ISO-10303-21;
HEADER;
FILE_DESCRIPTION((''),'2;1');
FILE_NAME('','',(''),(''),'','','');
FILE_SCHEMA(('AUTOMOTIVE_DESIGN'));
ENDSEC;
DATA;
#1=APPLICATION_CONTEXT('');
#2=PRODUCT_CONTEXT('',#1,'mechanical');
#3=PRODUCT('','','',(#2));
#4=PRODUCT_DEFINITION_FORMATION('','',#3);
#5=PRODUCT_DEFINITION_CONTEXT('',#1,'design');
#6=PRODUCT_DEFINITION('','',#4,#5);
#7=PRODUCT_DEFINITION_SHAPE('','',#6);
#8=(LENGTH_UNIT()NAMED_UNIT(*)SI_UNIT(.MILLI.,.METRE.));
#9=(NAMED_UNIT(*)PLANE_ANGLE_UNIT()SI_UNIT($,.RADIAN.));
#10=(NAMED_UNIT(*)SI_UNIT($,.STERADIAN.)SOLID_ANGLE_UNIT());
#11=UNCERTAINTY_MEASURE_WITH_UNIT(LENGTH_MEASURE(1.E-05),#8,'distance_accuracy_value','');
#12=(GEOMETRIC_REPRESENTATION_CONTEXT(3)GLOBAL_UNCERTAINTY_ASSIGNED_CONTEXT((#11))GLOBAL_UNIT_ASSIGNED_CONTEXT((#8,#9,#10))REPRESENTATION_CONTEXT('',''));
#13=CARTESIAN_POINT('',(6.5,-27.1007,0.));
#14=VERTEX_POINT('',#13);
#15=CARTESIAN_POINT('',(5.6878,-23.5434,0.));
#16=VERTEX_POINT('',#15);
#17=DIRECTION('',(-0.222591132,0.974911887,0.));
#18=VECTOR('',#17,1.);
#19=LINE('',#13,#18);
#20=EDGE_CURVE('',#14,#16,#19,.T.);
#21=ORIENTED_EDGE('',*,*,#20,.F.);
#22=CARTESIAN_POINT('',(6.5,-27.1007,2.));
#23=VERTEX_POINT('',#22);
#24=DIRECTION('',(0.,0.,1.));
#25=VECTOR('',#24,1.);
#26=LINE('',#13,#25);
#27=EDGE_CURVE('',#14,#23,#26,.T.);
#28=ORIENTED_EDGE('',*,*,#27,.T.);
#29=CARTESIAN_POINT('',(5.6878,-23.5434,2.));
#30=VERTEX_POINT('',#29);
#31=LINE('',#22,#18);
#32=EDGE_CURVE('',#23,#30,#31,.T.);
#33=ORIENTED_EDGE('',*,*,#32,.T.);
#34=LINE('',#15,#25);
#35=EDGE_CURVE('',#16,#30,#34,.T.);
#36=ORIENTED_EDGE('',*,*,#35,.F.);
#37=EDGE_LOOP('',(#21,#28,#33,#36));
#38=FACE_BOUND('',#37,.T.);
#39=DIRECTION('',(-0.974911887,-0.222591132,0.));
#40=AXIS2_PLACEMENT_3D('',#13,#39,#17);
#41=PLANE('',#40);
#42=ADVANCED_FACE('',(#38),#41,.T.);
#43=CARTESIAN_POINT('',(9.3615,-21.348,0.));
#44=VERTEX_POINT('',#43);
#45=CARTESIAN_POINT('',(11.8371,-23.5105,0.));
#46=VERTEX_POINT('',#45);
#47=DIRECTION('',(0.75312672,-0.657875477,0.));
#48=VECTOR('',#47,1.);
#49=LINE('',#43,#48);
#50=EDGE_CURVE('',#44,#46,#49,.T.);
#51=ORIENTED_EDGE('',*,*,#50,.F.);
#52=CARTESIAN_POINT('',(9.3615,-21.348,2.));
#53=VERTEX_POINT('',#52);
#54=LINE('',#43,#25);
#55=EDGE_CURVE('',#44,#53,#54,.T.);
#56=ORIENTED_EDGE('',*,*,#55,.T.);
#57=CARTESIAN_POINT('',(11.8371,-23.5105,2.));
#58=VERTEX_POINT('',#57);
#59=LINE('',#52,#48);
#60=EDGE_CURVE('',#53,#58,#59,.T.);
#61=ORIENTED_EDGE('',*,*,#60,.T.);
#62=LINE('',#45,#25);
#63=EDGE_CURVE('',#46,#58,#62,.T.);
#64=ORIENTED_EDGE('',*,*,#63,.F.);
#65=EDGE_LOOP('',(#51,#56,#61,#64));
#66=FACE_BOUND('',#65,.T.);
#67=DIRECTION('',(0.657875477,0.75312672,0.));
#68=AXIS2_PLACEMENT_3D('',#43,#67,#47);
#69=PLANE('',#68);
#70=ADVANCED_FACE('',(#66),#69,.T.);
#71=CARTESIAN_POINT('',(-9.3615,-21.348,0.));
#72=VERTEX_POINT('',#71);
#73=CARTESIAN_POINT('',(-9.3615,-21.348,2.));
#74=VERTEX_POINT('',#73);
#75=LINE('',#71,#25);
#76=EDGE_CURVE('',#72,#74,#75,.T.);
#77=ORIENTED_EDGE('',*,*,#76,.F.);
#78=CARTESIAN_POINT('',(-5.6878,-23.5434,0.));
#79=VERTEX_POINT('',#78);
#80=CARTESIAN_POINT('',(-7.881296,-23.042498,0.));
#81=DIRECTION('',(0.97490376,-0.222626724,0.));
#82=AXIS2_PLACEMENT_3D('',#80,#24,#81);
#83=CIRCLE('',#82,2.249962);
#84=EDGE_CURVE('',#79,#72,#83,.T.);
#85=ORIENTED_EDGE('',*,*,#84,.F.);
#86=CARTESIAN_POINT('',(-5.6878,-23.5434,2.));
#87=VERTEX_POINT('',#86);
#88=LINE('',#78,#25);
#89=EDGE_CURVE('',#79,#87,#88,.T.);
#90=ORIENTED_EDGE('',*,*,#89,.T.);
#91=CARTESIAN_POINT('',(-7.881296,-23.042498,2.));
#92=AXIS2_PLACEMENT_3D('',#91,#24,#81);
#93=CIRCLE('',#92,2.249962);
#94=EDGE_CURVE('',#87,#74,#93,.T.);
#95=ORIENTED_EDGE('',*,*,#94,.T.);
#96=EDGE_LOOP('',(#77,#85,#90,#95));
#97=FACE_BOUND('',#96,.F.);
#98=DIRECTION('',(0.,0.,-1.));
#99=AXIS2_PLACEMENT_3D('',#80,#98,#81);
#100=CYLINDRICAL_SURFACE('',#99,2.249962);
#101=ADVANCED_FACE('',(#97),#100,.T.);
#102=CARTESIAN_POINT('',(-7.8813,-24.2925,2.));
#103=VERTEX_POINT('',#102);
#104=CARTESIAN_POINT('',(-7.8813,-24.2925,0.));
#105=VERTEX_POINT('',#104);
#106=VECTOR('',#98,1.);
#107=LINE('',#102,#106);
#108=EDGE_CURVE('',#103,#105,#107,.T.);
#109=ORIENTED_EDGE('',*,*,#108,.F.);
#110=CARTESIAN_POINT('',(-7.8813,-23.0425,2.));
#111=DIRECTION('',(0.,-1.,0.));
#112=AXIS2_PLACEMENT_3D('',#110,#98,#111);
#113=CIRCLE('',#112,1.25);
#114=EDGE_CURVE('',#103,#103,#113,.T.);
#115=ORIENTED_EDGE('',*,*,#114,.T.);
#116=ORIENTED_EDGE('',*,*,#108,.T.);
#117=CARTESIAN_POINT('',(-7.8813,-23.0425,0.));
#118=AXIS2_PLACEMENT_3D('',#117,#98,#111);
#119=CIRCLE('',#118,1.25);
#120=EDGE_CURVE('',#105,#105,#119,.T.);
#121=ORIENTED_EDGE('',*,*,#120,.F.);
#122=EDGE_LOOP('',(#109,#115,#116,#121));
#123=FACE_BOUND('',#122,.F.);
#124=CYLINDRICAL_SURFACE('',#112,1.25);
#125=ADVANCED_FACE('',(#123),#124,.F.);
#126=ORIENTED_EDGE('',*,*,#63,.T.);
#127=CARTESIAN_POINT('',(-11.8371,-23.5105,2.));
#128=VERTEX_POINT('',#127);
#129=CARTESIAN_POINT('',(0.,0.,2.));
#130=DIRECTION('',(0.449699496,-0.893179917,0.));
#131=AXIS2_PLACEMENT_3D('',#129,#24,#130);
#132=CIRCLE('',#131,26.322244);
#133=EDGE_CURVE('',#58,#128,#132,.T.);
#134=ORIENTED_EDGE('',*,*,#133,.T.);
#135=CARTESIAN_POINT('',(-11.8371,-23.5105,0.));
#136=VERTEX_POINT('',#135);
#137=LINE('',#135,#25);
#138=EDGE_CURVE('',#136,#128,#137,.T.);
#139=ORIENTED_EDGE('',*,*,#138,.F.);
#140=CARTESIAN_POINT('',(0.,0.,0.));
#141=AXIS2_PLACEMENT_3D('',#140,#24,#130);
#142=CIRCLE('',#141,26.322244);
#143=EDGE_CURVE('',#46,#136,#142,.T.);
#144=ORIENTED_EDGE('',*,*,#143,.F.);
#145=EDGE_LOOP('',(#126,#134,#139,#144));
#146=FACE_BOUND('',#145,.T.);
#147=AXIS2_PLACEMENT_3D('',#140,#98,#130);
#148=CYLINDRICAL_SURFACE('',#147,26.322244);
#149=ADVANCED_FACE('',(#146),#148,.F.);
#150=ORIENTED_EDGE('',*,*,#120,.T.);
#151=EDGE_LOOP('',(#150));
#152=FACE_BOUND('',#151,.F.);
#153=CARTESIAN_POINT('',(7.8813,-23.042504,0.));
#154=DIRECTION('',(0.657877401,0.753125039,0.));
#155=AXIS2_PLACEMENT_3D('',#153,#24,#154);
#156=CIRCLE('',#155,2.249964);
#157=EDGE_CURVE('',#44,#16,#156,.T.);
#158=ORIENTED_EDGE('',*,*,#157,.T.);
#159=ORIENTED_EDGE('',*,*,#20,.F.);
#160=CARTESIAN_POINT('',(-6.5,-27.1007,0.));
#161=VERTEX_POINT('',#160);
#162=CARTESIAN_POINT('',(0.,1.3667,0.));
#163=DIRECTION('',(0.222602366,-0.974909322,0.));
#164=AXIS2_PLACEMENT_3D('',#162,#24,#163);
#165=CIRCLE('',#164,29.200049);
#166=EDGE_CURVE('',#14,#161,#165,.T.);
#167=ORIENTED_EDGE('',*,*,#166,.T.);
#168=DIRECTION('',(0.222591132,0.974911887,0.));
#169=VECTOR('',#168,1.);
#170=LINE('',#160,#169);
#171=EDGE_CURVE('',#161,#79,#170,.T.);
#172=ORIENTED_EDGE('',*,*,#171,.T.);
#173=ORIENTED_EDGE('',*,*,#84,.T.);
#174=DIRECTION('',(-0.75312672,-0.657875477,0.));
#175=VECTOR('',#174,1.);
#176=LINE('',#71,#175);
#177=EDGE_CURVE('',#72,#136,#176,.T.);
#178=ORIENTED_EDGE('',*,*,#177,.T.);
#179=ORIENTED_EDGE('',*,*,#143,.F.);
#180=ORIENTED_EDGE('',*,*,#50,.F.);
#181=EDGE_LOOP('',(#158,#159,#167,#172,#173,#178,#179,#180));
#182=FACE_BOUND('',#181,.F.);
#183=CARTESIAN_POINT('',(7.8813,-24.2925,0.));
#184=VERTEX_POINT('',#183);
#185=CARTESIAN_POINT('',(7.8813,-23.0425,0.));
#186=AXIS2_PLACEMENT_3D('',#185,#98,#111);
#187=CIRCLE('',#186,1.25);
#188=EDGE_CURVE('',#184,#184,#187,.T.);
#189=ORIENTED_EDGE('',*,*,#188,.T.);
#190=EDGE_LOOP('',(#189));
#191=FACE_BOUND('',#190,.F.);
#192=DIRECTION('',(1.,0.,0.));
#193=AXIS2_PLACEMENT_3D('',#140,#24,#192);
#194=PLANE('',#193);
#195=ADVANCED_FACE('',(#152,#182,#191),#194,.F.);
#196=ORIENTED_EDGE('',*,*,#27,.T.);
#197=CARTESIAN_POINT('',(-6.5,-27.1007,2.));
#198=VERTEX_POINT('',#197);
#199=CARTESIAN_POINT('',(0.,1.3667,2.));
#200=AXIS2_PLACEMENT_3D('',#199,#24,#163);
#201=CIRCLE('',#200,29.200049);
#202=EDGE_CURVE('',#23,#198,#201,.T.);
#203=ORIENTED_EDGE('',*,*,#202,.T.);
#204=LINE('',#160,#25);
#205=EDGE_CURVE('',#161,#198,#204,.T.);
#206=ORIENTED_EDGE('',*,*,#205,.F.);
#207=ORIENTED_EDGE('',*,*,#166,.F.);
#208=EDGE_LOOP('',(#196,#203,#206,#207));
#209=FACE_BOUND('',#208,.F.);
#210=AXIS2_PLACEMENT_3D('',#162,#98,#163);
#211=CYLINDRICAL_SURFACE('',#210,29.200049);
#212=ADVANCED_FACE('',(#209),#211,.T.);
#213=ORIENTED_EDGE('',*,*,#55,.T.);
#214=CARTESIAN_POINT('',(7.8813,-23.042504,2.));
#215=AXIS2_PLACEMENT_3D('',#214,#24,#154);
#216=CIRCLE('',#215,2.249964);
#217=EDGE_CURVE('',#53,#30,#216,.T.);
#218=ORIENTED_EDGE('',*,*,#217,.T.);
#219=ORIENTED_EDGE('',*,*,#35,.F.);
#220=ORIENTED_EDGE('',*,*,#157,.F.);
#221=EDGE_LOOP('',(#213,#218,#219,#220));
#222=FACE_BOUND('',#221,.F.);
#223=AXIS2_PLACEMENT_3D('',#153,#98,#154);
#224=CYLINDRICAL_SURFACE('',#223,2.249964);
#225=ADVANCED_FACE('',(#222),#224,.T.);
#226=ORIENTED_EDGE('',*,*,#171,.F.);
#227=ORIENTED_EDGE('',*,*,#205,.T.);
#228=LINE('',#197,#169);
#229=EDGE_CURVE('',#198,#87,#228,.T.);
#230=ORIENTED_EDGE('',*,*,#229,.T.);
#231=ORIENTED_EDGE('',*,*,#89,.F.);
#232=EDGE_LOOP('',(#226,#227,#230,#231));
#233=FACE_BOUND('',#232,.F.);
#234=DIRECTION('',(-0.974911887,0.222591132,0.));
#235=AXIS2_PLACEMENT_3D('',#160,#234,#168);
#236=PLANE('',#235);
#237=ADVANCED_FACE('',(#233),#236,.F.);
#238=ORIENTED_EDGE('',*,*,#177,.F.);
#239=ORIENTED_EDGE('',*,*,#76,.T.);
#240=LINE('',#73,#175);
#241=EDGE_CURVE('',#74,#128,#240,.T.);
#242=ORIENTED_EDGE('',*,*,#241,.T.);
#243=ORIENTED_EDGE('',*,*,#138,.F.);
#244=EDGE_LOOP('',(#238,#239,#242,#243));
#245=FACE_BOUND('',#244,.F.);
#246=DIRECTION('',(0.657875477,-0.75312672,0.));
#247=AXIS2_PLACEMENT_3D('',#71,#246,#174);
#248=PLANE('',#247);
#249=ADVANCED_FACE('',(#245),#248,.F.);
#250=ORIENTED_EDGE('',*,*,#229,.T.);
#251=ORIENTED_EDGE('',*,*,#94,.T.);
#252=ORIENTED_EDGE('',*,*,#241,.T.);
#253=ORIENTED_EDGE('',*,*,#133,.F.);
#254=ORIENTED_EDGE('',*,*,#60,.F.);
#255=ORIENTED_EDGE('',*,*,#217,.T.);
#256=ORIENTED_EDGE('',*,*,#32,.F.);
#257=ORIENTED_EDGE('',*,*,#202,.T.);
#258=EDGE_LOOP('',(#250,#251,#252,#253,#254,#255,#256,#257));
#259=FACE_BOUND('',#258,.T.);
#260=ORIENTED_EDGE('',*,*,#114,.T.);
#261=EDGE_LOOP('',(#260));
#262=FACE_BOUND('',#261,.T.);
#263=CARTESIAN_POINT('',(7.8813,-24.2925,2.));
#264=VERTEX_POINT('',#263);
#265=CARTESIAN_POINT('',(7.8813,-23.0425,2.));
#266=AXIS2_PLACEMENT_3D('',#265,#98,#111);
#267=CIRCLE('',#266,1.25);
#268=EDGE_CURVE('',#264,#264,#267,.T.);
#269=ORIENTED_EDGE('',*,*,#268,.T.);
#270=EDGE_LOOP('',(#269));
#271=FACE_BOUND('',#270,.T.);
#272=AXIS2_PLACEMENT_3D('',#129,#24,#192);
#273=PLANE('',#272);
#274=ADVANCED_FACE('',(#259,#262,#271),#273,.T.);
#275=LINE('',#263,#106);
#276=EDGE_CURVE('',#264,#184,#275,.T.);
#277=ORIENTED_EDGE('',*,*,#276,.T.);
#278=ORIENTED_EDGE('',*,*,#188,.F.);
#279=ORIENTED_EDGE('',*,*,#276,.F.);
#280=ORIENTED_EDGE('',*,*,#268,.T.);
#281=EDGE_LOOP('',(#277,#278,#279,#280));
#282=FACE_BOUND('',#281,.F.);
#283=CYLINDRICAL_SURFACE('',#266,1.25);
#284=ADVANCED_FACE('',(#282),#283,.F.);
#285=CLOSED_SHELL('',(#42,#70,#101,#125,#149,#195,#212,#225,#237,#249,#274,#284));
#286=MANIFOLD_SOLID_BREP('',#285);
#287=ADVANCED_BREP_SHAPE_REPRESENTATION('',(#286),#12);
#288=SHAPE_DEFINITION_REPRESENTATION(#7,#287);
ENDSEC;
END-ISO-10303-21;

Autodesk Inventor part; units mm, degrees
ref_plane "WorkPlane1" through (0, 0, 0) normal (0, 0, 1) x (1, 0, 0)
ref_plane "Work Plane2" through (0, 0, -2) normal (0, 0, 1) x (1, 0, 0)
ref_plane "WorkPlane2" through (0, 0, 1) normal (0, 0, 1) x (1, 0, 0)
sketch "Sketch1" plane through (0, 0, 0) normal (0, 0, 1) x (1, 0, 0)
  point P0 (0, 0)
sketch "Sketch2" plane through (0, 0, 0) normal (0, 0, 1) x (1, 0, 0)
  line L0 (6.5, -27.1007) -> (5.6878, -23.5434)
  arc A0 (9.3615, -21.348) -> (5.6878, -23.5434) centre (7.8813, -23.0425) ccw
  line L1 (9.3615, -21.348) -> (11.8371, -23.5105)
  arc A1 (11.8371, -23.5105) -> (-11.8371, -23.5105) centre (0, 0) ccw
  line L2 (-9.3615, -21.348) -> (-11.8371, -23.5105)
  arc A2 (-5.6878, -23.5434) -> (-9.3615, -21.348) centre (-7.8813, -23.0425) ccw
  line L3 (-6.5, -27.1007) -> (-5.6878, -23.5434)
  arc A3 (6.5, -27.1007) -> (-6.5, -27.1007) centre (0, 1.3667) ccw
  line L4 (0, 1.3667) -> (-6.5, -27.1007) construction
  line L5 (0, 1.3667) -> (6.5, -27.1007) construction
  dimension "d2" = 29.2
  dimension "d4" = 0
  dimension "d6" = 26.3222
  dimension "d8" = 1.3667
  dimension "d10" = 6.5
  dimension "d12" = 6.5
  dimension "d14" = 2.25
  dimension "d16" = 2.25
  dimension "d18" = 25.65
  dimension "d20" = 25.65
  dimension "d22" = 36
  dimension "d24" = 36
extrude "Extrusion1" add sketch "Sketch2" along normal blind 2
sketch "Sketch3" plane through (0, 0, 2) normal (0, 0, 1) x (1, 0, 0)
  arc A0 (-5.6878, -23.5434) -> (-9.3615, -21.348) centre (-7.8813, -23.0425) ccw projected
hole "Hole1" at (-7.8813, -23.0425, 2) direction (0, 0, -1) diameter 2.5 end through all
sketch "Sketch4" plane through (0, 0, 2) normal (0, 0, 1) x (1, 0, 0)
  arc A0 (9.3615, -21.348) -> (5.6878, -23.5434) centre (7.8813, -23.0425) ccw projected
hole "Hole2" at (7.8813, -23.0425, 2) direction (0, 0, -1) diameter 2.5 end through all
equation "\"d29\" = Diam5"
equation "\"d36\" = Diam5"
equation "\"d2\" = 0.5 * Diam2"
equation "\"d6\" = 0.5 * msp_dd1"
equation "\"d8\" = -0.5 * msp_dd1 + 0.5 * Diam2 - 0.222222 * ParA"
equation "\"d10\" = 2.6 * Diam5"
equation "\"d12\" = 2.6 * Diam5"
equation "\"d14\" = 0.9 * Diam5"
equation "\"d16\" = 0.9 * Diam5"
equation "\"d18\" = 1.3 * Diam5 + 0.5 * Diam2 - ParA"
equation "\"d20\" = 1.3 * Diam5 + 0.5 * Diam2 - ParA"
equation "\"d25\" = ParS"
equation "\"Diam5\" = 2.5"
equation "\"ParA\" = 6.8"
equation "\"ParS\" = 2"
equation "\"Diam2\" = 58.4"
equation "\"msp_dd1\" = -b + Diam2 - 0.111111 * ParA"
equation "\"msp_pom\" = 0.5 * Diam2 - b"
equation "\"TEMPLATE\" = 1.2345"
properties part number "ANSI B 27.7M - 3BMI-55" material "Steel, Mild"
